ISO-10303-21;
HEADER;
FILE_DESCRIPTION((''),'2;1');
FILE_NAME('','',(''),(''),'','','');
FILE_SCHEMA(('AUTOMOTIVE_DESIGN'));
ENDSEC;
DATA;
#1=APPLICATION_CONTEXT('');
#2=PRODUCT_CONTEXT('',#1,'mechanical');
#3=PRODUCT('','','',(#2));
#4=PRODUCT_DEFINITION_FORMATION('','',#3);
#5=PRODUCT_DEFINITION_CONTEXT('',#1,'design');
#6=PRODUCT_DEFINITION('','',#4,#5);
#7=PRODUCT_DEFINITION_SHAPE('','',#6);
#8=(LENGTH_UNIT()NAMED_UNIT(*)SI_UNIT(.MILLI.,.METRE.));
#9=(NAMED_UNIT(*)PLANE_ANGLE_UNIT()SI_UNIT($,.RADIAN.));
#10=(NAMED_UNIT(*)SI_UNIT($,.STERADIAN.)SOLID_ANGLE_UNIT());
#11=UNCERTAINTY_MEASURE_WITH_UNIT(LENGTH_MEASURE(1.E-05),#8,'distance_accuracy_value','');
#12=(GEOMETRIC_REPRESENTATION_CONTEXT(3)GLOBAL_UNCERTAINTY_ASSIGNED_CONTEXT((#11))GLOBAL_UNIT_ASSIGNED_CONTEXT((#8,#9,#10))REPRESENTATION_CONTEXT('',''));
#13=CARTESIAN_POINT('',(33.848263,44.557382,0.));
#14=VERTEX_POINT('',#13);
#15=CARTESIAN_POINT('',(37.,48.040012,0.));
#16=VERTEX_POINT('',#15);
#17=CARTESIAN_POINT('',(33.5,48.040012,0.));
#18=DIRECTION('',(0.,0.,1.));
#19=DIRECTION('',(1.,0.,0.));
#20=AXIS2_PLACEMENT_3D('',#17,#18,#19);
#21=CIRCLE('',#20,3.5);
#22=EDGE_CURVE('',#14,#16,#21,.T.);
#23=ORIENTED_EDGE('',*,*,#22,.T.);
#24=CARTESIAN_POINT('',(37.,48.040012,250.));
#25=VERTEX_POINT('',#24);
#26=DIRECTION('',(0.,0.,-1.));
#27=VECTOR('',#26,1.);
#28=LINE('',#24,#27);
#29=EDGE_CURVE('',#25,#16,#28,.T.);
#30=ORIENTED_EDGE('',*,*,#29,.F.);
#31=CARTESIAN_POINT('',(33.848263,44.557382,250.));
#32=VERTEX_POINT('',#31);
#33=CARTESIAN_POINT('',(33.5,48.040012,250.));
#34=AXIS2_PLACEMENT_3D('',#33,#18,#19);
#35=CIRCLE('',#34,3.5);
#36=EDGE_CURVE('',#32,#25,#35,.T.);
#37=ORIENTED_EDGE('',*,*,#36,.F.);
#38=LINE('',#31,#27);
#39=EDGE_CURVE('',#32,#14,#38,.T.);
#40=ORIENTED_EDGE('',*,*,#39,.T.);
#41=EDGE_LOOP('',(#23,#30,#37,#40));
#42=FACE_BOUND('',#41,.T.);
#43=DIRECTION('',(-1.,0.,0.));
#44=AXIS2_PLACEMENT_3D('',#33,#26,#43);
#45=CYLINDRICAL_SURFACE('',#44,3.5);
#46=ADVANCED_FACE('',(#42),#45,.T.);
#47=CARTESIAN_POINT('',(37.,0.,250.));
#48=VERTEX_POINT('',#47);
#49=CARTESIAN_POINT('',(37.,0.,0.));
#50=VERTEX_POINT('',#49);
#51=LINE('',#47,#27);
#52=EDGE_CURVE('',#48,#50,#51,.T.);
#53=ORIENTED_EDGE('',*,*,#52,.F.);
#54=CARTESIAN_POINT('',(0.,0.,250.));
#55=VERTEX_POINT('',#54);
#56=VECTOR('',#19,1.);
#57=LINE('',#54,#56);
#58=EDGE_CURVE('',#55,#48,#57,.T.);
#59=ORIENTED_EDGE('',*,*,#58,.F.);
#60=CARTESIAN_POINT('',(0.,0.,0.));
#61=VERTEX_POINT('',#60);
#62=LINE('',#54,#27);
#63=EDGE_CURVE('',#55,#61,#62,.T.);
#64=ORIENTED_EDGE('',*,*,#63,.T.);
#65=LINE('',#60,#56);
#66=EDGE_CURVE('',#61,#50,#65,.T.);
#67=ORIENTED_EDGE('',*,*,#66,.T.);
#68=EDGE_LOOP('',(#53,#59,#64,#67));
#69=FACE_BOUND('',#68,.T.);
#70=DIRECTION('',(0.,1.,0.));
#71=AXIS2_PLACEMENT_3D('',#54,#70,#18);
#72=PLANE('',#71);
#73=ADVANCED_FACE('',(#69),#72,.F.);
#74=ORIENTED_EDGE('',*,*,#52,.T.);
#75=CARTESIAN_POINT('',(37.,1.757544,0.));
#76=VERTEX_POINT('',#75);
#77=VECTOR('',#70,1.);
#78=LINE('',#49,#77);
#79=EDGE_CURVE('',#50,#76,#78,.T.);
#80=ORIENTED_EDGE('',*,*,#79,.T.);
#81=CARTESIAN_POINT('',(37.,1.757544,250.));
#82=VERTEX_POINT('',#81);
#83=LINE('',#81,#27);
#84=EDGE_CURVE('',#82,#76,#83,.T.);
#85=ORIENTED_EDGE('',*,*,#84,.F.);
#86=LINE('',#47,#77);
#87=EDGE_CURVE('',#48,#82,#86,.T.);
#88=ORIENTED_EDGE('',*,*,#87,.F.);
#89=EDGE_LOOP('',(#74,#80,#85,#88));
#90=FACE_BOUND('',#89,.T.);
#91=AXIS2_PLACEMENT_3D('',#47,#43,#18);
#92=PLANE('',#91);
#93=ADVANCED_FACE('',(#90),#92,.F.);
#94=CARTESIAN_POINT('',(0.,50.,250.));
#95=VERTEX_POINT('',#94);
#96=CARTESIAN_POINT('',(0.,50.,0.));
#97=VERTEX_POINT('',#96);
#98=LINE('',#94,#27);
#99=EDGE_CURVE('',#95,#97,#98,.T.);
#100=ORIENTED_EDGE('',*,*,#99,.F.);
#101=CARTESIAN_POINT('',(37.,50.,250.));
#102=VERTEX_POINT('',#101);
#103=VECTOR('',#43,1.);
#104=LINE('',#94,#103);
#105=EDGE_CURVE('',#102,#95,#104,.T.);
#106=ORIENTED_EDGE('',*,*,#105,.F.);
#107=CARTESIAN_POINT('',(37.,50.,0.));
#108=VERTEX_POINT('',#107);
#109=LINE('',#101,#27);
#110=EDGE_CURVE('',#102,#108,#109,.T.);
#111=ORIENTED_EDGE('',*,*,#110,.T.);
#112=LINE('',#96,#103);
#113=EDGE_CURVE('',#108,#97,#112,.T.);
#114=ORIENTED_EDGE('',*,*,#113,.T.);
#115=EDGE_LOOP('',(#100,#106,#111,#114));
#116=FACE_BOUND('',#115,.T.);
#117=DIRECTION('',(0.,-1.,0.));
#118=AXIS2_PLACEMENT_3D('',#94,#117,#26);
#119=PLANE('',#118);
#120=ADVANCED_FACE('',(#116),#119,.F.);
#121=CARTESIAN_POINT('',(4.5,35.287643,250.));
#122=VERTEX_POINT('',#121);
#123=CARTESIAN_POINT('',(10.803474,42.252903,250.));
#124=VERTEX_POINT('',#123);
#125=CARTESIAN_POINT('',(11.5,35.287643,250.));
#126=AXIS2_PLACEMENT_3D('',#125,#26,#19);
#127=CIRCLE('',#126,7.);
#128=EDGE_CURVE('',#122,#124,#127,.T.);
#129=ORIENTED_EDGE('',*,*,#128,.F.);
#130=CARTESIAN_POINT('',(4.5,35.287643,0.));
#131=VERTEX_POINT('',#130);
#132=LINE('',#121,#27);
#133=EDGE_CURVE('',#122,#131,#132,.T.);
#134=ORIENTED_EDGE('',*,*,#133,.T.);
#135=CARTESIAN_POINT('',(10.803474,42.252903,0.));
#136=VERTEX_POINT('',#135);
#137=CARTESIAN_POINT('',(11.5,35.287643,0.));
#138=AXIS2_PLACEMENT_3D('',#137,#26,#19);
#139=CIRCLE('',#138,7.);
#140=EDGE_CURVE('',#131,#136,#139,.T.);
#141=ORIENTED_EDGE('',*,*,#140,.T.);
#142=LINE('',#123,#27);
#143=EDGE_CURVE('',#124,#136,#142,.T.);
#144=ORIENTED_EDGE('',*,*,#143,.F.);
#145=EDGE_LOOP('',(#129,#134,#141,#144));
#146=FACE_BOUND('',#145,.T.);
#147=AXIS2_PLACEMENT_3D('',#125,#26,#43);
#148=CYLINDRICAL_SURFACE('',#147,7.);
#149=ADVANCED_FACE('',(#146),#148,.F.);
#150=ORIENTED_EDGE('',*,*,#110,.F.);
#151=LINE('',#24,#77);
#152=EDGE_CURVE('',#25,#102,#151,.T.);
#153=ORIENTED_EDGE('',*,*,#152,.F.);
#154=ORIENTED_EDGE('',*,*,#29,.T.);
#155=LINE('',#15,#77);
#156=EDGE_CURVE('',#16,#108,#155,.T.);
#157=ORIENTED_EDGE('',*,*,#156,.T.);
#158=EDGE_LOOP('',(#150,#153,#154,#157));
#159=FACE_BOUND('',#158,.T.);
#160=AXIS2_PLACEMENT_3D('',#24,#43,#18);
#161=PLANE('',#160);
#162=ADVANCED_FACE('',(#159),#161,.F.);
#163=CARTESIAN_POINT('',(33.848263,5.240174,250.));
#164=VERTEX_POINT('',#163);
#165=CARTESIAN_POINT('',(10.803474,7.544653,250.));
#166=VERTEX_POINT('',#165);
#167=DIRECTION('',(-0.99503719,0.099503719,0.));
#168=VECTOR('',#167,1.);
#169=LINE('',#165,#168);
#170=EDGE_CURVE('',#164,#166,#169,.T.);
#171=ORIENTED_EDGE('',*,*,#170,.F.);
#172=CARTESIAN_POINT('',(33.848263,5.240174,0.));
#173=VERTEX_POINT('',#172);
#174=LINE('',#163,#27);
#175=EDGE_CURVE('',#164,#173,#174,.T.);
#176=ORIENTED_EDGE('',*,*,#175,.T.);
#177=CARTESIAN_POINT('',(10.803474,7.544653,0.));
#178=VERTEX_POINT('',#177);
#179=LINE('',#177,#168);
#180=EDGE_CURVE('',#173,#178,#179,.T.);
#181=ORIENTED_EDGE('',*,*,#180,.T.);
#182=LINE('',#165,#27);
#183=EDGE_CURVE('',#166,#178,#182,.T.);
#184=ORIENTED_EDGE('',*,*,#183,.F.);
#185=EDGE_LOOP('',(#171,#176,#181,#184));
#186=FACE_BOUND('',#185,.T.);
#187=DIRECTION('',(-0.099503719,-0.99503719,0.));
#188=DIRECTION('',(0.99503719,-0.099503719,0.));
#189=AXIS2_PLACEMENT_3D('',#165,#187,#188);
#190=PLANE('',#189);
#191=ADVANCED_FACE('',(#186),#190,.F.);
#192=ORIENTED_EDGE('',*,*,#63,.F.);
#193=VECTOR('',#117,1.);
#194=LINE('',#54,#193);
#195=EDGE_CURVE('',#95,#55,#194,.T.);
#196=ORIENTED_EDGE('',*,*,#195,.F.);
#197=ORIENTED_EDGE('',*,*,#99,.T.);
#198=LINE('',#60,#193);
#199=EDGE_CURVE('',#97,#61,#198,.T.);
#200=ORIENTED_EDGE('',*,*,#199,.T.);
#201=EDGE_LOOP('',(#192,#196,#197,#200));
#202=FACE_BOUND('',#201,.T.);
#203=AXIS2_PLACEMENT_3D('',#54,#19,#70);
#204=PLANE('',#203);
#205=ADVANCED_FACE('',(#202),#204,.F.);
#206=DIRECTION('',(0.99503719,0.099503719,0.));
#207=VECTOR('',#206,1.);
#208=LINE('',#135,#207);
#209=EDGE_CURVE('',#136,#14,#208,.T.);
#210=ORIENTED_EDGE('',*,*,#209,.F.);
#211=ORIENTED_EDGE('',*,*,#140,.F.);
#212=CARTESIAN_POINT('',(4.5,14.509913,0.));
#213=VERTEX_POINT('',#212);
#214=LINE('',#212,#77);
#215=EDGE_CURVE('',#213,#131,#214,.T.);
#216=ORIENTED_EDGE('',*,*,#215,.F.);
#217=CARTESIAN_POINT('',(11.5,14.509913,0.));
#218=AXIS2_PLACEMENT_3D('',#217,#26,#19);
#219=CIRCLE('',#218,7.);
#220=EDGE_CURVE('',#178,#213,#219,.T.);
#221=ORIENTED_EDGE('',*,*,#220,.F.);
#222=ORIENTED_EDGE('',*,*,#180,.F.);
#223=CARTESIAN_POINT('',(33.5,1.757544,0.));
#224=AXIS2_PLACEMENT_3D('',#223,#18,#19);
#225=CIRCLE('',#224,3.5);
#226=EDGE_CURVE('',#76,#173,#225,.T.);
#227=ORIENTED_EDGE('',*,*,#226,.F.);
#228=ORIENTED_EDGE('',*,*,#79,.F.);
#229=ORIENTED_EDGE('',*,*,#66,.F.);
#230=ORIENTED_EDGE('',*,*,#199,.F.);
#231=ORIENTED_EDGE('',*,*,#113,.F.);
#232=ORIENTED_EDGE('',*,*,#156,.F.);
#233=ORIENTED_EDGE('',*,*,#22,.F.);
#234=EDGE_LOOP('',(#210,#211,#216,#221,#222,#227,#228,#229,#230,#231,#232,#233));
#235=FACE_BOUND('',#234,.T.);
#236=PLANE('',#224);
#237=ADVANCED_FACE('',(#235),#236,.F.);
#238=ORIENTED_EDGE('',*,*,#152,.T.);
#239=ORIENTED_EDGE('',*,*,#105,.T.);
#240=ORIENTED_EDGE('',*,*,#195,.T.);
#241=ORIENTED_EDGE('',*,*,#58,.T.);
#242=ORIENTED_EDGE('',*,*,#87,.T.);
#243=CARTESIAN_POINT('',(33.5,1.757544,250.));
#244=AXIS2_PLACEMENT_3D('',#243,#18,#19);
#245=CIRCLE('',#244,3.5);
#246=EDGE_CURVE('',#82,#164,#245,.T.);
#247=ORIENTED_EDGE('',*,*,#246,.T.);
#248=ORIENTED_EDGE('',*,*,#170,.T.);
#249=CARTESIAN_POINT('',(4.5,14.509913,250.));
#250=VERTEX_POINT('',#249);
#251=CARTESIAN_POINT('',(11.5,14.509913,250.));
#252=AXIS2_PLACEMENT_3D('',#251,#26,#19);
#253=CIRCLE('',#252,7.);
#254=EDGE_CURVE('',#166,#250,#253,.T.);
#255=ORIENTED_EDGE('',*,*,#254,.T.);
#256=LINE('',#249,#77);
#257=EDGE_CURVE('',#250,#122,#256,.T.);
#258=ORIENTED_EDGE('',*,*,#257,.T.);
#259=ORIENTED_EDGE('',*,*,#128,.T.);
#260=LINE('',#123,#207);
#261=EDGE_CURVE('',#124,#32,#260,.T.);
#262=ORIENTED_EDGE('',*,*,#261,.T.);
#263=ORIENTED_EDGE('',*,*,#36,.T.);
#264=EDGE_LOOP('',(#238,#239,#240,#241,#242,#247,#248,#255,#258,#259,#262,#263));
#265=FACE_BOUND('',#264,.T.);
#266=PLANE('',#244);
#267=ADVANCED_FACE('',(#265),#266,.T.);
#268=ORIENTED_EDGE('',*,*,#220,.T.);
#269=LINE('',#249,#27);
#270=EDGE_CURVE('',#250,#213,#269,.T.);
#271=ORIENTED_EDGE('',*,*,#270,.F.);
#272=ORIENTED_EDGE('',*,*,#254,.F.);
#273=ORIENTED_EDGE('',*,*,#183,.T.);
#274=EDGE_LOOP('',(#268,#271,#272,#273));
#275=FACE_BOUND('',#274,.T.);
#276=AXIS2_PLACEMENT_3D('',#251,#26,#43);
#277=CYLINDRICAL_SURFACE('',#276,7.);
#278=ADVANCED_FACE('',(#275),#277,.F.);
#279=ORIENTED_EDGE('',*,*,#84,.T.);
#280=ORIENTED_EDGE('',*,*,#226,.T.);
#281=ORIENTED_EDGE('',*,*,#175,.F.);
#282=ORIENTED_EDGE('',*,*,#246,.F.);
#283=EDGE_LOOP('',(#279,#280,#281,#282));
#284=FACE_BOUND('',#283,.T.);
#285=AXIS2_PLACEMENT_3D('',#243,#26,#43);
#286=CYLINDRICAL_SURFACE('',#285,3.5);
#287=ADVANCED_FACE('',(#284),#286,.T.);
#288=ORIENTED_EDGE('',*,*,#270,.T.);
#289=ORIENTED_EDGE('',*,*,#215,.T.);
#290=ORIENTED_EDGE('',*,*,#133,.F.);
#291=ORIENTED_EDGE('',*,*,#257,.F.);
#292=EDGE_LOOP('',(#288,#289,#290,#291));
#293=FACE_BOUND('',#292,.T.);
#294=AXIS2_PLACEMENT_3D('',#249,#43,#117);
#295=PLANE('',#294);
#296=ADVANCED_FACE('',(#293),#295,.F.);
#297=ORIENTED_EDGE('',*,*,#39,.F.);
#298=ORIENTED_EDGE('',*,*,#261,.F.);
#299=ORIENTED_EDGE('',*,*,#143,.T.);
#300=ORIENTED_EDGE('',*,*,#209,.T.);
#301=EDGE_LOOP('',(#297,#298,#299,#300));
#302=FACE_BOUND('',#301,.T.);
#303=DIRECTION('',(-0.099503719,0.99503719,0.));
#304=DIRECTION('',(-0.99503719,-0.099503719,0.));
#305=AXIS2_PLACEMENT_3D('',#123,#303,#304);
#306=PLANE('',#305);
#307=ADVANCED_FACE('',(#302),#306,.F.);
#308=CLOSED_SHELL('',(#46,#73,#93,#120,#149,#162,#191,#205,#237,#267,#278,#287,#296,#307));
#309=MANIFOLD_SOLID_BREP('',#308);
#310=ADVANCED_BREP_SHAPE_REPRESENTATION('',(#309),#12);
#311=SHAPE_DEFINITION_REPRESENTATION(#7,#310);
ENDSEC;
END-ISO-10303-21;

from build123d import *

# Parameters (mm, degrees)
EXTRUDE_1_DEPTH = 250


with BuildPart() as part:
    # 草图1 → 凸台-拉伸1 (new body)
    with BuildSketch(Plane.XY):
        with BuildLine():
            Line((0, 0), (0, 50))
            Line((0, 50), (37, 50))
            Line((37, 50), (37, 48.040012398))
            ThreePointArc((37, 48.040012398), (36.095083867, 45.691493776), (33.848263017, 44.557382233))
            Line((33.848263017, 44.557382233), (10.803473967, 42.252903328))
            ThreePointArc((10.803473967, 42.252903328), (6.309832265, 39.984680242), (4.5, 35.287642996))
            Line((4.5, 35.287642996), (4.5, 14.509912935))
            ThreePointArc((4.5, 14.509912935), (6.309832265, 9.812875689), (10.803473967, 7.544652603))
            Line((10.803473967, 7.544652603), (33.848263017, 5.240173698))
            ThreePointArc((33.848263017, 5.240173698), (36.095083867, 4.106062155), (37, 1.757543533))
            Line((37, 1.757543533), (37, 0))
            Line((37, 0), (0, 0))
        make_face()
    extrude(amount=EXTRUDE_1_DEPTH)


solid = part.part
